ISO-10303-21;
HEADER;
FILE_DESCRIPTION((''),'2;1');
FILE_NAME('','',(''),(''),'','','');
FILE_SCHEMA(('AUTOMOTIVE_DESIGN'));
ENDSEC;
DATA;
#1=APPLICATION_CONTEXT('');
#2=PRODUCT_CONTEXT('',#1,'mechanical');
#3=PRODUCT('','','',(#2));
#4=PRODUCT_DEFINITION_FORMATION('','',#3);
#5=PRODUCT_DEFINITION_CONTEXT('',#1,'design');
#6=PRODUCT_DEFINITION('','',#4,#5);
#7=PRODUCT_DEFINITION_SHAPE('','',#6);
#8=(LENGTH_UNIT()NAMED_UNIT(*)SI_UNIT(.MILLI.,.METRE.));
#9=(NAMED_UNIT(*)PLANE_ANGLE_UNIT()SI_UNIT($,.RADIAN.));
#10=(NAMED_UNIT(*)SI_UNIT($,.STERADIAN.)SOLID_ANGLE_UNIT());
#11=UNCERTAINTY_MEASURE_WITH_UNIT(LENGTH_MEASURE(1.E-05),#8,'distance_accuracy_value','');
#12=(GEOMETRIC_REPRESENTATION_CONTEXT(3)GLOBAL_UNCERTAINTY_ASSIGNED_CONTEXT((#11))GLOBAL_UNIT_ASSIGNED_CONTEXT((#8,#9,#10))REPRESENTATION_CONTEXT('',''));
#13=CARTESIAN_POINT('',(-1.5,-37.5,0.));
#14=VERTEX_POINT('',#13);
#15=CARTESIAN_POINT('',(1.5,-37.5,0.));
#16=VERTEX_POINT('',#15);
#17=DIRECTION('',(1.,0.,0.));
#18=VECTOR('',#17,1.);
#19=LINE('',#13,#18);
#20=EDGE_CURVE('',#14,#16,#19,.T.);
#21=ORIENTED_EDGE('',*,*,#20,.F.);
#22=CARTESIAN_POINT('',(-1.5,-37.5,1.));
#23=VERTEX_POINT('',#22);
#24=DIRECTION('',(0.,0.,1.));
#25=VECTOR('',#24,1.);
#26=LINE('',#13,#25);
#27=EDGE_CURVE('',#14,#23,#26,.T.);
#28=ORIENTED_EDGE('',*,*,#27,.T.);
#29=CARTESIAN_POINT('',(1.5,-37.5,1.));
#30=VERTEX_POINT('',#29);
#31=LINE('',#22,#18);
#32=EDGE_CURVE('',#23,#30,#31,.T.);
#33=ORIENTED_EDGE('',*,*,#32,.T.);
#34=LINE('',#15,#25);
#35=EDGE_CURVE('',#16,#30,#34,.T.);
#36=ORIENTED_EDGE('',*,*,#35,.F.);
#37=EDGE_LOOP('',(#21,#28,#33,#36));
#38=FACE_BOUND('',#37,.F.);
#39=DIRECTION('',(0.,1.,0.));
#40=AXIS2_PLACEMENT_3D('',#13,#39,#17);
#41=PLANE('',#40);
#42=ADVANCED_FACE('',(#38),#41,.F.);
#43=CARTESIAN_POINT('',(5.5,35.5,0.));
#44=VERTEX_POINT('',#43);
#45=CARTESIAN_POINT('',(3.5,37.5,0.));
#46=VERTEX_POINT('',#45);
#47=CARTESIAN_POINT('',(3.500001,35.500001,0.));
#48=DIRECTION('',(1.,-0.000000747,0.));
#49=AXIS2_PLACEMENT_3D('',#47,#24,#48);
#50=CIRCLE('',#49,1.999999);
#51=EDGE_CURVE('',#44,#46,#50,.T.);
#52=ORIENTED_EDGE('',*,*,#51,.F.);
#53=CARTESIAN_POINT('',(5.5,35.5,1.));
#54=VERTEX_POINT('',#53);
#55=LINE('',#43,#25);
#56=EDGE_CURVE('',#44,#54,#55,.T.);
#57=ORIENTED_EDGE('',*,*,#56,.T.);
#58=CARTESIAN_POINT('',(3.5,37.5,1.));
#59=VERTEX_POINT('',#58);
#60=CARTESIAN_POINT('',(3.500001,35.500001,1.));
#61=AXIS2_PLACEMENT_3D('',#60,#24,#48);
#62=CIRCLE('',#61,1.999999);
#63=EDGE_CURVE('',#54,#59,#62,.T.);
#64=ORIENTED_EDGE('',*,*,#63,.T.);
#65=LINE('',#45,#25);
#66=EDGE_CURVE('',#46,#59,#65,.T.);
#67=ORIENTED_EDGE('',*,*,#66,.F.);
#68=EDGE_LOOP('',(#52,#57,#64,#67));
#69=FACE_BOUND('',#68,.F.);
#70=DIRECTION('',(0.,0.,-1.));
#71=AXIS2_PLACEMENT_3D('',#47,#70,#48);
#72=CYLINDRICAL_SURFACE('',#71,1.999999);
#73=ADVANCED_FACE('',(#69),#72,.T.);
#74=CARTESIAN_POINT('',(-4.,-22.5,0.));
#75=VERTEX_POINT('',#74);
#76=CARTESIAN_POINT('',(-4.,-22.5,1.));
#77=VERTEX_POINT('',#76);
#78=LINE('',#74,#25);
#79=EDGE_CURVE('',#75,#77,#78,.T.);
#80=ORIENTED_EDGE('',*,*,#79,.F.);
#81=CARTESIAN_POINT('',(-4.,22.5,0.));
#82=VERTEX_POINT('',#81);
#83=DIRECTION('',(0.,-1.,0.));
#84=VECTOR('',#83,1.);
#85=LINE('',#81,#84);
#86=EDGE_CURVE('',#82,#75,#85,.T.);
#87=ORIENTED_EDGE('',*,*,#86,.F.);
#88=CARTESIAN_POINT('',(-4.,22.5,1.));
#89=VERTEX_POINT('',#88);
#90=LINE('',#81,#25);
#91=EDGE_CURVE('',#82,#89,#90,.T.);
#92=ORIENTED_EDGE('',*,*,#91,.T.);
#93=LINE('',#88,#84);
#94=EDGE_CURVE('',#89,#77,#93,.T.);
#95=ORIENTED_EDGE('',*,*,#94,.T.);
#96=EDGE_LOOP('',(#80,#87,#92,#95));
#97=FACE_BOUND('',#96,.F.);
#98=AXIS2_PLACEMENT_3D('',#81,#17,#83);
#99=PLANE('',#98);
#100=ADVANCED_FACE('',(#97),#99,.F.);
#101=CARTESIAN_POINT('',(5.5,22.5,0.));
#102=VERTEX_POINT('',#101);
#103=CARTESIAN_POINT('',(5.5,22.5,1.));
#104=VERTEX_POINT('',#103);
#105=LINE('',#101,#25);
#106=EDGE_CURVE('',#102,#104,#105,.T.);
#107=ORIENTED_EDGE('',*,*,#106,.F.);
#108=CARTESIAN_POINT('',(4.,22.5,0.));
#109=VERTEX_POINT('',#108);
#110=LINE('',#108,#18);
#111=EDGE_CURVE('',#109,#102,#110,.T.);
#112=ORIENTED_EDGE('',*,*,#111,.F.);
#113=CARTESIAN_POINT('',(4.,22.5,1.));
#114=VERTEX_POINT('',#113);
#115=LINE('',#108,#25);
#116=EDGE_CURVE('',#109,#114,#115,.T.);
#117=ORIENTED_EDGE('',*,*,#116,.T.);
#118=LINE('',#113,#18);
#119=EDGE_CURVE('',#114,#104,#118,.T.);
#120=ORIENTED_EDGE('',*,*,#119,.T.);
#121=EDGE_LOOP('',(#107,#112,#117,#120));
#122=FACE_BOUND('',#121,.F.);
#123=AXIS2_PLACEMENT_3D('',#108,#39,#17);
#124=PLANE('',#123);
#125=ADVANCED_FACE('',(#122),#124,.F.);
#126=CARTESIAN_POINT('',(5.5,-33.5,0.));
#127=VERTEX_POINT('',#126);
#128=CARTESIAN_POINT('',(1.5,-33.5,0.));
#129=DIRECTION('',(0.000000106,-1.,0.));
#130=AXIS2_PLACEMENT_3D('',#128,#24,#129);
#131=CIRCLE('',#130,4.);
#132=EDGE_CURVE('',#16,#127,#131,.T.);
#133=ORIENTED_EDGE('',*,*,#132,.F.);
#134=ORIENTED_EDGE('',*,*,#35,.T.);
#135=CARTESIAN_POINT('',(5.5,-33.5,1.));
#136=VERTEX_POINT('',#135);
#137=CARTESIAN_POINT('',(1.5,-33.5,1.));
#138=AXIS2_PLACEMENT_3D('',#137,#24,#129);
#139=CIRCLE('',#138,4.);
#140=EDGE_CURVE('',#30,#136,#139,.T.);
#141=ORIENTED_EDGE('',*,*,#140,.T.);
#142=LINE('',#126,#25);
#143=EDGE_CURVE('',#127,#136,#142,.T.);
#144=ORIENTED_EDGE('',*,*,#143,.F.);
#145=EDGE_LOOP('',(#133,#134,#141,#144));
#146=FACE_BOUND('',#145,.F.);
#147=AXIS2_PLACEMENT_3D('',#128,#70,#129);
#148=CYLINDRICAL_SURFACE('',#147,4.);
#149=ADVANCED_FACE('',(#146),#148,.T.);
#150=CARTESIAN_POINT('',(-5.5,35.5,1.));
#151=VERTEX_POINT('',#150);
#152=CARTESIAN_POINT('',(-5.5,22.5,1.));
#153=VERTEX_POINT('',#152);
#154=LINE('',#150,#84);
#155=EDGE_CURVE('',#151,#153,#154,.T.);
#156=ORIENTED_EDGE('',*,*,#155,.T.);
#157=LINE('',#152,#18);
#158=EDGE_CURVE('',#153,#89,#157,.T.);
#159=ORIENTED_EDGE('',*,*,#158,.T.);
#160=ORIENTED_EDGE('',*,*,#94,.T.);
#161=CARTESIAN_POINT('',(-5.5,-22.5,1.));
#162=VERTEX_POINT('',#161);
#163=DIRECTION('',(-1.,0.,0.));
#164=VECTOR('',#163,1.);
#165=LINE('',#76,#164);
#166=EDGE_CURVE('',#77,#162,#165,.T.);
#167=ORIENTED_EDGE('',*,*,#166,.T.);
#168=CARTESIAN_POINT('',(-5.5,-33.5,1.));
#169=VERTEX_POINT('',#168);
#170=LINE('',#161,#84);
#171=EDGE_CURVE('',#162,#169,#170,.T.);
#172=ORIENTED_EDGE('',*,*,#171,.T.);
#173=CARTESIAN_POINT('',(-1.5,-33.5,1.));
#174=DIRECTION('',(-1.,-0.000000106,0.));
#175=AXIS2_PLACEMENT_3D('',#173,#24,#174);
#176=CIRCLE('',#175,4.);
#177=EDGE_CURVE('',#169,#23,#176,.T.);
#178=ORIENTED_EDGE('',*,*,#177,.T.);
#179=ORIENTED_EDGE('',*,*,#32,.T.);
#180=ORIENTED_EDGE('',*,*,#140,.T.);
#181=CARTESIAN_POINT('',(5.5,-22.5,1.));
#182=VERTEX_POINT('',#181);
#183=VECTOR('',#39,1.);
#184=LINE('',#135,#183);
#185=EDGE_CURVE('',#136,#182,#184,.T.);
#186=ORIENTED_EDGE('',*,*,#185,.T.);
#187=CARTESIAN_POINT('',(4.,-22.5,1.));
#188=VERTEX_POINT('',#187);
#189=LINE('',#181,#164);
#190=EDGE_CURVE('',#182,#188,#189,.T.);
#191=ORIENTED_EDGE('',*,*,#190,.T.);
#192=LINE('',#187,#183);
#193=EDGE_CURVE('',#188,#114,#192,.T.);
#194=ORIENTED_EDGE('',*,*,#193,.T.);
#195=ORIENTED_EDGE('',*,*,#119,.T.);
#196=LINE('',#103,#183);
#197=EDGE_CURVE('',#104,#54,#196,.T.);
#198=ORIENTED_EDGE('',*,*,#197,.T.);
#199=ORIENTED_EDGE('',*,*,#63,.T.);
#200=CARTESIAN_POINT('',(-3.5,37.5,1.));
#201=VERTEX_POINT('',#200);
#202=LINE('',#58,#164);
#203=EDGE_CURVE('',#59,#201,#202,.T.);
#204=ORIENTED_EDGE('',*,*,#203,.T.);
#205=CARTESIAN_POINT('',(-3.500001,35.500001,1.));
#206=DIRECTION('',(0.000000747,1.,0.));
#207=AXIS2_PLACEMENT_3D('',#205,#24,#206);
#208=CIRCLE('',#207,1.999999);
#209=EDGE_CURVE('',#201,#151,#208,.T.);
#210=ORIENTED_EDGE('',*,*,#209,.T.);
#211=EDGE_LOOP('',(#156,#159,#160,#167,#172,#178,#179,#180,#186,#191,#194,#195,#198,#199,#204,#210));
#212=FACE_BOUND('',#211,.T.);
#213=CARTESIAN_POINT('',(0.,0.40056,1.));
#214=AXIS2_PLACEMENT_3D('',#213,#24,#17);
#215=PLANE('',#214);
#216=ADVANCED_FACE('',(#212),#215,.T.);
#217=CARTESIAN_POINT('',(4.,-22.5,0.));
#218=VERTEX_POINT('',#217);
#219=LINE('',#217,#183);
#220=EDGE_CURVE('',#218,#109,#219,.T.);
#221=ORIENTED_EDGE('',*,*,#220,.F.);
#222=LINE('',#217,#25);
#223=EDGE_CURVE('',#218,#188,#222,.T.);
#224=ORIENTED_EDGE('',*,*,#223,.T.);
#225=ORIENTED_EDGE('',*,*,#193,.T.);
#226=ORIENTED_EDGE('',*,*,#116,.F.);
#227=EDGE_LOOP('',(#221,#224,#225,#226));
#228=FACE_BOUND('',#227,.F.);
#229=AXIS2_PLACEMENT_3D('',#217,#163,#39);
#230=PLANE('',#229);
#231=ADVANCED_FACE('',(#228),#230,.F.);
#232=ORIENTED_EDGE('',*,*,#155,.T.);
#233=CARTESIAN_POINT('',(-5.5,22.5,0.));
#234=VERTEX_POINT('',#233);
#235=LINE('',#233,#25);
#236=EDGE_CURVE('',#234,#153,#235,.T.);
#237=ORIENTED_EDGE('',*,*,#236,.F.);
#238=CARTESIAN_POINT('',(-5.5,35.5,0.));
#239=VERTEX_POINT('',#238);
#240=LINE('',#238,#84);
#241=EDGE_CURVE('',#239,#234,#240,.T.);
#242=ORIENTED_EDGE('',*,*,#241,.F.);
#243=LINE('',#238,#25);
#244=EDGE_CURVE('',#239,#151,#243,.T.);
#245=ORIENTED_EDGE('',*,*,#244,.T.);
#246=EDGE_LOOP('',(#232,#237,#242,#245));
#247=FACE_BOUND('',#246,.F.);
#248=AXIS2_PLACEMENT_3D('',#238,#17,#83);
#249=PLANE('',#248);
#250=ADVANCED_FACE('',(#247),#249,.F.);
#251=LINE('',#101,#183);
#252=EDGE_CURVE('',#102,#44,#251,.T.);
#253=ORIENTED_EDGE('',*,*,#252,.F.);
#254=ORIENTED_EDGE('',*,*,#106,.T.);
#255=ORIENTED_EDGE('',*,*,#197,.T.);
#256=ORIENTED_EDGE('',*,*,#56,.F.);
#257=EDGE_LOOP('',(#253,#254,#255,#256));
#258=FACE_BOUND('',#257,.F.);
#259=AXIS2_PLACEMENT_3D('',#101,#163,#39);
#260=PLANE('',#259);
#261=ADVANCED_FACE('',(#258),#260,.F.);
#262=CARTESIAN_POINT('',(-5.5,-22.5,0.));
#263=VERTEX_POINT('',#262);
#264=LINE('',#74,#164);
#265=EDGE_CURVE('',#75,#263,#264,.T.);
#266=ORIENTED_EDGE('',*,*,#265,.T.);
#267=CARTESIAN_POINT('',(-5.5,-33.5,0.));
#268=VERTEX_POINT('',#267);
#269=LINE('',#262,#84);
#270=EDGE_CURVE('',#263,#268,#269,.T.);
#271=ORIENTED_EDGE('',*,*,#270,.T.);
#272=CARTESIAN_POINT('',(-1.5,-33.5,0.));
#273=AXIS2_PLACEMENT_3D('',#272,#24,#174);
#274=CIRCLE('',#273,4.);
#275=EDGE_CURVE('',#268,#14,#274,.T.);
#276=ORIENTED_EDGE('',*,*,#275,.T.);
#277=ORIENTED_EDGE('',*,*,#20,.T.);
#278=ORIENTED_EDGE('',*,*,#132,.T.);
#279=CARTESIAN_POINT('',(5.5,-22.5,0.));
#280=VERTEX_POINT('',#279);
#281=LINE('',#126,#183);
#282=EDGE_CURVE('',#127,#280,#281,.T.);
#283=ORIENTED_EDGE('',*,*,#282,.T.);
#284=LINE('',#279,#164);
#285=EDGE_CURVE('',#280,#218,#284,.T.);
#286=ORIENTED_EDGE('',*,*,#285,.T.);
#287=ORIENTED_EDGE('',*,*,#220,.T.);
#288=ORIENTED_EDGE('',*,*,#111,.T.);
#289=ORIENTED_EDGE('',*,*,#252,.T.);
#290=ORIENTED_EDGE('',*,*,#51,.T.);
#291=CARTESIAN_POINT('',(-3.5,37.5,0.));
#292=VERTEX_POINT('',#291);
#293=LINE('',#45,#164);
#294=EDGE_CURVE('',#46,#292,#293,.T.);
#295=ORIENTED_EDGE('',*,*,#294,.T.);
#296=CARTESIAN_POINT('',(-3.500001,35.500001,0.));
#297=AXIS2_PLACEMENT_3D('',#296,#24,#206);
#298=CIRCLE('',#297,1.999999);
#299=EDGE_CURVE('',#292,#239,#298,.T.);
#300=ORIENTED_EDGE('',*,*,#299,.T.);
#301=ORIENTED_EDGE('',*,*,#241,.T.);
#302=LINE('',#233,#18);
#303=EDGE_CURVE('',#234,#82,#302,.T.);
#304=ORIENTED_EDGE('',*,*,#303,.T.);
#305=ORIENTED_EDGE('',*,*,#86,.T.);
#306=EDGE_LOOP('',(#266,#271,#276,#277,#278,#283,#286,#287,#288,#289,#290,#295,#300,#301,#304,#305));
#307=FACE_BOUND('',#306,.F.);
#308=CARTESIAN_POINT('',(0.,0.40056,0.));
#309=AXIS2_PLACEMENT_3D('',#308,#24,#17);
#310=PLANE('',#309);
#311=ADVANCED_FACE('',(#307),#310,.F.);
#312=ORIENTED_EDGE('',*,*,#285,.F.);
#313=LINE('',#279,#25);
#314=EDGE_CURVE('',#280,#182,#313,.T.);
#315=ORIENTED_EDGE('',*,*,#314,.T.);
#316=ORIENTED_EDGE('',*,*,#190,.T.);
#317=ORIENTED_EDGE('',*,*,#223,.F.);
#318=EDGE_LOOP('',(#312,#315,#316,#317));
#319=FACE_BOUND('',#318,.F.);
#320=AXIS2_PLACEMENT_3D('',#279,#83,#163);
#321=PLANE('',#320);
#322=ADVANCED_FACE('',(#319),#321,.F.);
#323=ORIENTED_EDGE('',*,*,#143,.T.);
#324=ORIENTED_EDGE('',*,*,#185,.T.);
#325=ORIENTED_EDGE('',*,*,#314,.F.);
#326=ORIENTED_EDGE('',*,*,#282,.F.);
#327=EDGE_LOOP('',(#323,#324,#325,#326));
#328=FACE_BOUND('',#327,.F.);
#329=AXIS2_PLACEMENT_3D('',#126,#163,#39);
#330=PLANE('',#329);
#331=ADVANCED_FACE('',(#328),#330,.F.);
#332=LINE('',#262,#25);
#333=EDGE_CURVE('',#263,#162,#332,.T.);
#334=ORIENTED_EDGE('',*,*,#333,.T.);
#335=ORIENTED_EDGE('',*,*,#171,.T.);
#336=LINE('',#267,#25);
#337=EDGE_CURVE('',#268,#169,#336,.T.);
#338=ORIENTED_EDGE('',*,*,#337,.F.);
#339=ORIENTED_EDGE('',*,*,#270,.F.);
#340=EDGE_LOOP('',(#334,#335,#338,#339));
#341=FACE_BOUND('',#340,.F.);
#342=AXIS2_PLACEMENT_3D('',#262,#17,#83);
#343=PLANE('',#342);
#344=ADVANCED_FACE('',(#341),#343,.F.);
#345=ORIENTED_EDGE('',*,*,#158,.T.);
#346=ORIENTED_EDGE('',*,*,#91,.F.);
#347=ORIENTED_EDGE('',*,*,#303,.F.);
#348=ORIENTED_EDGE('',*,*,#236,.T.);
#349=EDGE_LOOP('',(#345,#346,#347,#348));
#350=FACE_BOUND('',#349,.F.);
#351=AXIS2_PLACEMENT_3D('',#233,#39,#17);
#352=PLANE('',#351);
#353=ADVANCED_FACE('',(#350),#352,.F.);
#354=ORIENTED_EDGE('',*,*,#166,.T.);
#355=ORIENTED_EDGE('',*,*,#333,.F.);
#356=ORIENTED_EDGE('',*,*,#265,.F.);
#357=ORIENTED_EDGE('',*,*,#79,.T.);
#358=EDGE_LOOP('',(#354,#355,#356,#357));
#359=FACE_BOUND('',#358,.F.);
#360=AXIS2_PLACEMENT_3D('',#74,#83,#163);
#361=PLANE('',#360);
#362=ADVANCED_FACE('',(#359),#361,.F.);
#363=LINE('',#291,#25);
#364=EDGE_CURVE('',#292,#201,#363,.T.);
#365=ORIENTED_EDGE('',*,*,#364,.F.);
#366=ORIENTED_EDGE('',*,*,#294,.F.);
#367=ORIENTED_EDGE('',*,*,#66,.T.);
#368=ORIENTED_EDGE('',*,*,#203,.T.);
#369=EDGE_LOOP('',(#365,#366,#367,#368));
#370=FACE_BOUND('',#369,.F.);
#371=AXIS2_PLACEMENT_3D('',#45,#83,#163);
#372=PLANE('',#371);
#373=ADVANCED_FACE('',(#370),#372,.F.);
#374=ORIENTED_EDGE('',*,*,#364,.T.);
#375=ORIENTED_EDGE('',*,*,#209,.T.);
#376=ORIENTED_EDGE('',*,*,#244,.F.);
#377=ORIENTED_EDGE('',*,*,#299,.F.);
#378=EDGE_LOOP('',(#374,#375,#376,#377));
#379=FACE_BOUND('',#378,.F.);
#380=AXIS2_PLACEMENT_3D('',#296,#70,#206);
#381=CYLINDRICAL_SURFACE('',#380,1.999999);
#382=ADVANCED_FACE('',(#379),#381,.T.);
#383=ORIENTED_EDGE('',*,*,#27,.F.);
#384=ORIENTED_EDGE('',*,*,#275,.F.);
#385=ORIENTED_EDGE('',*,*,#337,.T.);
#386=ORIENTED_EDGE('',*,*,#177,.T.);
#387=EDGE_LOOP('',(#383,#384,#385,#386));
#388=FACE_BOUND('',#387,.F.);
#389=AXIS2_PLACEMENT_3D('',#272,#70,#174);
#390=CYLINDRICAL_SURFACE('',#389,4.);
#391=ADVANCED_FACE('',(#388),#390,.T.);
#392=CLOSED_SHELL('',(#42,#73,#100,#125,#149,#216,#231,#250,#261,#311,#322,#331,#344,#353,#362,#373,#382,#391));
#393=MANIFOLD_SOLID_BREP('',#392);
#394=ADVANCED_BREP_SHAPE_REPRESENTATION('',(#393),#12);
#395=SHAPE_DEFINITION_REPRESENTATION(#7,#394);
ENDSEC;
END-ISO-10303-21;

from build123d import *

# Parameters (mm, degrees)
F1_DEPTH = 1


with BuildPart() as f1:
    # F0 (on Top) → F1 (new body)
    with BuildSketch(Plane.XY):
        with BuildLine():
            ThreePointArc((5.5, 35.5), (4.914214, 36.914214), (3.5, 37.5))
            Line((3.5, 37.5), (-3.5, 37.5))
            ThreePointArc((-3.5, 37.5), (-4.914214, 36.914214), (-5.5, 35.5))
            Line((-5.5, 35.5), (-5.5, 22.5))
            Line((-5.5, 22.5), (-4, 22.5))
            Line((-4, 22.5), (-4, -22.5))
            Line((-4, -22.5), (-5.5, -22.5))
            Line((-5.5, -22.5), (-5.5, -33.5))
            ThreePointArc((-5.5, -33.5), (-4.328427, -36.328427), (-1.5, -37.5))
            Line((-1.5, -37.5), (1.5, -37.5))
            ThreePointArc((1.5, -37.5), (4.328427, -36.328427), (5.5, -33.5))
            Line((5.5, -33.5), (5.5, -22.5))
            Line((5.5, -22.5), (4, -22.5))
            Line((4, -22.5), (4, 22.5))
            Line((4, 22.5), (5.5, 22.5))
            Line((5.5, 22.5), (5.5, 35.5))
        make_face()
    extrude(amount=F1_DEPTH)


solid = f1.part
